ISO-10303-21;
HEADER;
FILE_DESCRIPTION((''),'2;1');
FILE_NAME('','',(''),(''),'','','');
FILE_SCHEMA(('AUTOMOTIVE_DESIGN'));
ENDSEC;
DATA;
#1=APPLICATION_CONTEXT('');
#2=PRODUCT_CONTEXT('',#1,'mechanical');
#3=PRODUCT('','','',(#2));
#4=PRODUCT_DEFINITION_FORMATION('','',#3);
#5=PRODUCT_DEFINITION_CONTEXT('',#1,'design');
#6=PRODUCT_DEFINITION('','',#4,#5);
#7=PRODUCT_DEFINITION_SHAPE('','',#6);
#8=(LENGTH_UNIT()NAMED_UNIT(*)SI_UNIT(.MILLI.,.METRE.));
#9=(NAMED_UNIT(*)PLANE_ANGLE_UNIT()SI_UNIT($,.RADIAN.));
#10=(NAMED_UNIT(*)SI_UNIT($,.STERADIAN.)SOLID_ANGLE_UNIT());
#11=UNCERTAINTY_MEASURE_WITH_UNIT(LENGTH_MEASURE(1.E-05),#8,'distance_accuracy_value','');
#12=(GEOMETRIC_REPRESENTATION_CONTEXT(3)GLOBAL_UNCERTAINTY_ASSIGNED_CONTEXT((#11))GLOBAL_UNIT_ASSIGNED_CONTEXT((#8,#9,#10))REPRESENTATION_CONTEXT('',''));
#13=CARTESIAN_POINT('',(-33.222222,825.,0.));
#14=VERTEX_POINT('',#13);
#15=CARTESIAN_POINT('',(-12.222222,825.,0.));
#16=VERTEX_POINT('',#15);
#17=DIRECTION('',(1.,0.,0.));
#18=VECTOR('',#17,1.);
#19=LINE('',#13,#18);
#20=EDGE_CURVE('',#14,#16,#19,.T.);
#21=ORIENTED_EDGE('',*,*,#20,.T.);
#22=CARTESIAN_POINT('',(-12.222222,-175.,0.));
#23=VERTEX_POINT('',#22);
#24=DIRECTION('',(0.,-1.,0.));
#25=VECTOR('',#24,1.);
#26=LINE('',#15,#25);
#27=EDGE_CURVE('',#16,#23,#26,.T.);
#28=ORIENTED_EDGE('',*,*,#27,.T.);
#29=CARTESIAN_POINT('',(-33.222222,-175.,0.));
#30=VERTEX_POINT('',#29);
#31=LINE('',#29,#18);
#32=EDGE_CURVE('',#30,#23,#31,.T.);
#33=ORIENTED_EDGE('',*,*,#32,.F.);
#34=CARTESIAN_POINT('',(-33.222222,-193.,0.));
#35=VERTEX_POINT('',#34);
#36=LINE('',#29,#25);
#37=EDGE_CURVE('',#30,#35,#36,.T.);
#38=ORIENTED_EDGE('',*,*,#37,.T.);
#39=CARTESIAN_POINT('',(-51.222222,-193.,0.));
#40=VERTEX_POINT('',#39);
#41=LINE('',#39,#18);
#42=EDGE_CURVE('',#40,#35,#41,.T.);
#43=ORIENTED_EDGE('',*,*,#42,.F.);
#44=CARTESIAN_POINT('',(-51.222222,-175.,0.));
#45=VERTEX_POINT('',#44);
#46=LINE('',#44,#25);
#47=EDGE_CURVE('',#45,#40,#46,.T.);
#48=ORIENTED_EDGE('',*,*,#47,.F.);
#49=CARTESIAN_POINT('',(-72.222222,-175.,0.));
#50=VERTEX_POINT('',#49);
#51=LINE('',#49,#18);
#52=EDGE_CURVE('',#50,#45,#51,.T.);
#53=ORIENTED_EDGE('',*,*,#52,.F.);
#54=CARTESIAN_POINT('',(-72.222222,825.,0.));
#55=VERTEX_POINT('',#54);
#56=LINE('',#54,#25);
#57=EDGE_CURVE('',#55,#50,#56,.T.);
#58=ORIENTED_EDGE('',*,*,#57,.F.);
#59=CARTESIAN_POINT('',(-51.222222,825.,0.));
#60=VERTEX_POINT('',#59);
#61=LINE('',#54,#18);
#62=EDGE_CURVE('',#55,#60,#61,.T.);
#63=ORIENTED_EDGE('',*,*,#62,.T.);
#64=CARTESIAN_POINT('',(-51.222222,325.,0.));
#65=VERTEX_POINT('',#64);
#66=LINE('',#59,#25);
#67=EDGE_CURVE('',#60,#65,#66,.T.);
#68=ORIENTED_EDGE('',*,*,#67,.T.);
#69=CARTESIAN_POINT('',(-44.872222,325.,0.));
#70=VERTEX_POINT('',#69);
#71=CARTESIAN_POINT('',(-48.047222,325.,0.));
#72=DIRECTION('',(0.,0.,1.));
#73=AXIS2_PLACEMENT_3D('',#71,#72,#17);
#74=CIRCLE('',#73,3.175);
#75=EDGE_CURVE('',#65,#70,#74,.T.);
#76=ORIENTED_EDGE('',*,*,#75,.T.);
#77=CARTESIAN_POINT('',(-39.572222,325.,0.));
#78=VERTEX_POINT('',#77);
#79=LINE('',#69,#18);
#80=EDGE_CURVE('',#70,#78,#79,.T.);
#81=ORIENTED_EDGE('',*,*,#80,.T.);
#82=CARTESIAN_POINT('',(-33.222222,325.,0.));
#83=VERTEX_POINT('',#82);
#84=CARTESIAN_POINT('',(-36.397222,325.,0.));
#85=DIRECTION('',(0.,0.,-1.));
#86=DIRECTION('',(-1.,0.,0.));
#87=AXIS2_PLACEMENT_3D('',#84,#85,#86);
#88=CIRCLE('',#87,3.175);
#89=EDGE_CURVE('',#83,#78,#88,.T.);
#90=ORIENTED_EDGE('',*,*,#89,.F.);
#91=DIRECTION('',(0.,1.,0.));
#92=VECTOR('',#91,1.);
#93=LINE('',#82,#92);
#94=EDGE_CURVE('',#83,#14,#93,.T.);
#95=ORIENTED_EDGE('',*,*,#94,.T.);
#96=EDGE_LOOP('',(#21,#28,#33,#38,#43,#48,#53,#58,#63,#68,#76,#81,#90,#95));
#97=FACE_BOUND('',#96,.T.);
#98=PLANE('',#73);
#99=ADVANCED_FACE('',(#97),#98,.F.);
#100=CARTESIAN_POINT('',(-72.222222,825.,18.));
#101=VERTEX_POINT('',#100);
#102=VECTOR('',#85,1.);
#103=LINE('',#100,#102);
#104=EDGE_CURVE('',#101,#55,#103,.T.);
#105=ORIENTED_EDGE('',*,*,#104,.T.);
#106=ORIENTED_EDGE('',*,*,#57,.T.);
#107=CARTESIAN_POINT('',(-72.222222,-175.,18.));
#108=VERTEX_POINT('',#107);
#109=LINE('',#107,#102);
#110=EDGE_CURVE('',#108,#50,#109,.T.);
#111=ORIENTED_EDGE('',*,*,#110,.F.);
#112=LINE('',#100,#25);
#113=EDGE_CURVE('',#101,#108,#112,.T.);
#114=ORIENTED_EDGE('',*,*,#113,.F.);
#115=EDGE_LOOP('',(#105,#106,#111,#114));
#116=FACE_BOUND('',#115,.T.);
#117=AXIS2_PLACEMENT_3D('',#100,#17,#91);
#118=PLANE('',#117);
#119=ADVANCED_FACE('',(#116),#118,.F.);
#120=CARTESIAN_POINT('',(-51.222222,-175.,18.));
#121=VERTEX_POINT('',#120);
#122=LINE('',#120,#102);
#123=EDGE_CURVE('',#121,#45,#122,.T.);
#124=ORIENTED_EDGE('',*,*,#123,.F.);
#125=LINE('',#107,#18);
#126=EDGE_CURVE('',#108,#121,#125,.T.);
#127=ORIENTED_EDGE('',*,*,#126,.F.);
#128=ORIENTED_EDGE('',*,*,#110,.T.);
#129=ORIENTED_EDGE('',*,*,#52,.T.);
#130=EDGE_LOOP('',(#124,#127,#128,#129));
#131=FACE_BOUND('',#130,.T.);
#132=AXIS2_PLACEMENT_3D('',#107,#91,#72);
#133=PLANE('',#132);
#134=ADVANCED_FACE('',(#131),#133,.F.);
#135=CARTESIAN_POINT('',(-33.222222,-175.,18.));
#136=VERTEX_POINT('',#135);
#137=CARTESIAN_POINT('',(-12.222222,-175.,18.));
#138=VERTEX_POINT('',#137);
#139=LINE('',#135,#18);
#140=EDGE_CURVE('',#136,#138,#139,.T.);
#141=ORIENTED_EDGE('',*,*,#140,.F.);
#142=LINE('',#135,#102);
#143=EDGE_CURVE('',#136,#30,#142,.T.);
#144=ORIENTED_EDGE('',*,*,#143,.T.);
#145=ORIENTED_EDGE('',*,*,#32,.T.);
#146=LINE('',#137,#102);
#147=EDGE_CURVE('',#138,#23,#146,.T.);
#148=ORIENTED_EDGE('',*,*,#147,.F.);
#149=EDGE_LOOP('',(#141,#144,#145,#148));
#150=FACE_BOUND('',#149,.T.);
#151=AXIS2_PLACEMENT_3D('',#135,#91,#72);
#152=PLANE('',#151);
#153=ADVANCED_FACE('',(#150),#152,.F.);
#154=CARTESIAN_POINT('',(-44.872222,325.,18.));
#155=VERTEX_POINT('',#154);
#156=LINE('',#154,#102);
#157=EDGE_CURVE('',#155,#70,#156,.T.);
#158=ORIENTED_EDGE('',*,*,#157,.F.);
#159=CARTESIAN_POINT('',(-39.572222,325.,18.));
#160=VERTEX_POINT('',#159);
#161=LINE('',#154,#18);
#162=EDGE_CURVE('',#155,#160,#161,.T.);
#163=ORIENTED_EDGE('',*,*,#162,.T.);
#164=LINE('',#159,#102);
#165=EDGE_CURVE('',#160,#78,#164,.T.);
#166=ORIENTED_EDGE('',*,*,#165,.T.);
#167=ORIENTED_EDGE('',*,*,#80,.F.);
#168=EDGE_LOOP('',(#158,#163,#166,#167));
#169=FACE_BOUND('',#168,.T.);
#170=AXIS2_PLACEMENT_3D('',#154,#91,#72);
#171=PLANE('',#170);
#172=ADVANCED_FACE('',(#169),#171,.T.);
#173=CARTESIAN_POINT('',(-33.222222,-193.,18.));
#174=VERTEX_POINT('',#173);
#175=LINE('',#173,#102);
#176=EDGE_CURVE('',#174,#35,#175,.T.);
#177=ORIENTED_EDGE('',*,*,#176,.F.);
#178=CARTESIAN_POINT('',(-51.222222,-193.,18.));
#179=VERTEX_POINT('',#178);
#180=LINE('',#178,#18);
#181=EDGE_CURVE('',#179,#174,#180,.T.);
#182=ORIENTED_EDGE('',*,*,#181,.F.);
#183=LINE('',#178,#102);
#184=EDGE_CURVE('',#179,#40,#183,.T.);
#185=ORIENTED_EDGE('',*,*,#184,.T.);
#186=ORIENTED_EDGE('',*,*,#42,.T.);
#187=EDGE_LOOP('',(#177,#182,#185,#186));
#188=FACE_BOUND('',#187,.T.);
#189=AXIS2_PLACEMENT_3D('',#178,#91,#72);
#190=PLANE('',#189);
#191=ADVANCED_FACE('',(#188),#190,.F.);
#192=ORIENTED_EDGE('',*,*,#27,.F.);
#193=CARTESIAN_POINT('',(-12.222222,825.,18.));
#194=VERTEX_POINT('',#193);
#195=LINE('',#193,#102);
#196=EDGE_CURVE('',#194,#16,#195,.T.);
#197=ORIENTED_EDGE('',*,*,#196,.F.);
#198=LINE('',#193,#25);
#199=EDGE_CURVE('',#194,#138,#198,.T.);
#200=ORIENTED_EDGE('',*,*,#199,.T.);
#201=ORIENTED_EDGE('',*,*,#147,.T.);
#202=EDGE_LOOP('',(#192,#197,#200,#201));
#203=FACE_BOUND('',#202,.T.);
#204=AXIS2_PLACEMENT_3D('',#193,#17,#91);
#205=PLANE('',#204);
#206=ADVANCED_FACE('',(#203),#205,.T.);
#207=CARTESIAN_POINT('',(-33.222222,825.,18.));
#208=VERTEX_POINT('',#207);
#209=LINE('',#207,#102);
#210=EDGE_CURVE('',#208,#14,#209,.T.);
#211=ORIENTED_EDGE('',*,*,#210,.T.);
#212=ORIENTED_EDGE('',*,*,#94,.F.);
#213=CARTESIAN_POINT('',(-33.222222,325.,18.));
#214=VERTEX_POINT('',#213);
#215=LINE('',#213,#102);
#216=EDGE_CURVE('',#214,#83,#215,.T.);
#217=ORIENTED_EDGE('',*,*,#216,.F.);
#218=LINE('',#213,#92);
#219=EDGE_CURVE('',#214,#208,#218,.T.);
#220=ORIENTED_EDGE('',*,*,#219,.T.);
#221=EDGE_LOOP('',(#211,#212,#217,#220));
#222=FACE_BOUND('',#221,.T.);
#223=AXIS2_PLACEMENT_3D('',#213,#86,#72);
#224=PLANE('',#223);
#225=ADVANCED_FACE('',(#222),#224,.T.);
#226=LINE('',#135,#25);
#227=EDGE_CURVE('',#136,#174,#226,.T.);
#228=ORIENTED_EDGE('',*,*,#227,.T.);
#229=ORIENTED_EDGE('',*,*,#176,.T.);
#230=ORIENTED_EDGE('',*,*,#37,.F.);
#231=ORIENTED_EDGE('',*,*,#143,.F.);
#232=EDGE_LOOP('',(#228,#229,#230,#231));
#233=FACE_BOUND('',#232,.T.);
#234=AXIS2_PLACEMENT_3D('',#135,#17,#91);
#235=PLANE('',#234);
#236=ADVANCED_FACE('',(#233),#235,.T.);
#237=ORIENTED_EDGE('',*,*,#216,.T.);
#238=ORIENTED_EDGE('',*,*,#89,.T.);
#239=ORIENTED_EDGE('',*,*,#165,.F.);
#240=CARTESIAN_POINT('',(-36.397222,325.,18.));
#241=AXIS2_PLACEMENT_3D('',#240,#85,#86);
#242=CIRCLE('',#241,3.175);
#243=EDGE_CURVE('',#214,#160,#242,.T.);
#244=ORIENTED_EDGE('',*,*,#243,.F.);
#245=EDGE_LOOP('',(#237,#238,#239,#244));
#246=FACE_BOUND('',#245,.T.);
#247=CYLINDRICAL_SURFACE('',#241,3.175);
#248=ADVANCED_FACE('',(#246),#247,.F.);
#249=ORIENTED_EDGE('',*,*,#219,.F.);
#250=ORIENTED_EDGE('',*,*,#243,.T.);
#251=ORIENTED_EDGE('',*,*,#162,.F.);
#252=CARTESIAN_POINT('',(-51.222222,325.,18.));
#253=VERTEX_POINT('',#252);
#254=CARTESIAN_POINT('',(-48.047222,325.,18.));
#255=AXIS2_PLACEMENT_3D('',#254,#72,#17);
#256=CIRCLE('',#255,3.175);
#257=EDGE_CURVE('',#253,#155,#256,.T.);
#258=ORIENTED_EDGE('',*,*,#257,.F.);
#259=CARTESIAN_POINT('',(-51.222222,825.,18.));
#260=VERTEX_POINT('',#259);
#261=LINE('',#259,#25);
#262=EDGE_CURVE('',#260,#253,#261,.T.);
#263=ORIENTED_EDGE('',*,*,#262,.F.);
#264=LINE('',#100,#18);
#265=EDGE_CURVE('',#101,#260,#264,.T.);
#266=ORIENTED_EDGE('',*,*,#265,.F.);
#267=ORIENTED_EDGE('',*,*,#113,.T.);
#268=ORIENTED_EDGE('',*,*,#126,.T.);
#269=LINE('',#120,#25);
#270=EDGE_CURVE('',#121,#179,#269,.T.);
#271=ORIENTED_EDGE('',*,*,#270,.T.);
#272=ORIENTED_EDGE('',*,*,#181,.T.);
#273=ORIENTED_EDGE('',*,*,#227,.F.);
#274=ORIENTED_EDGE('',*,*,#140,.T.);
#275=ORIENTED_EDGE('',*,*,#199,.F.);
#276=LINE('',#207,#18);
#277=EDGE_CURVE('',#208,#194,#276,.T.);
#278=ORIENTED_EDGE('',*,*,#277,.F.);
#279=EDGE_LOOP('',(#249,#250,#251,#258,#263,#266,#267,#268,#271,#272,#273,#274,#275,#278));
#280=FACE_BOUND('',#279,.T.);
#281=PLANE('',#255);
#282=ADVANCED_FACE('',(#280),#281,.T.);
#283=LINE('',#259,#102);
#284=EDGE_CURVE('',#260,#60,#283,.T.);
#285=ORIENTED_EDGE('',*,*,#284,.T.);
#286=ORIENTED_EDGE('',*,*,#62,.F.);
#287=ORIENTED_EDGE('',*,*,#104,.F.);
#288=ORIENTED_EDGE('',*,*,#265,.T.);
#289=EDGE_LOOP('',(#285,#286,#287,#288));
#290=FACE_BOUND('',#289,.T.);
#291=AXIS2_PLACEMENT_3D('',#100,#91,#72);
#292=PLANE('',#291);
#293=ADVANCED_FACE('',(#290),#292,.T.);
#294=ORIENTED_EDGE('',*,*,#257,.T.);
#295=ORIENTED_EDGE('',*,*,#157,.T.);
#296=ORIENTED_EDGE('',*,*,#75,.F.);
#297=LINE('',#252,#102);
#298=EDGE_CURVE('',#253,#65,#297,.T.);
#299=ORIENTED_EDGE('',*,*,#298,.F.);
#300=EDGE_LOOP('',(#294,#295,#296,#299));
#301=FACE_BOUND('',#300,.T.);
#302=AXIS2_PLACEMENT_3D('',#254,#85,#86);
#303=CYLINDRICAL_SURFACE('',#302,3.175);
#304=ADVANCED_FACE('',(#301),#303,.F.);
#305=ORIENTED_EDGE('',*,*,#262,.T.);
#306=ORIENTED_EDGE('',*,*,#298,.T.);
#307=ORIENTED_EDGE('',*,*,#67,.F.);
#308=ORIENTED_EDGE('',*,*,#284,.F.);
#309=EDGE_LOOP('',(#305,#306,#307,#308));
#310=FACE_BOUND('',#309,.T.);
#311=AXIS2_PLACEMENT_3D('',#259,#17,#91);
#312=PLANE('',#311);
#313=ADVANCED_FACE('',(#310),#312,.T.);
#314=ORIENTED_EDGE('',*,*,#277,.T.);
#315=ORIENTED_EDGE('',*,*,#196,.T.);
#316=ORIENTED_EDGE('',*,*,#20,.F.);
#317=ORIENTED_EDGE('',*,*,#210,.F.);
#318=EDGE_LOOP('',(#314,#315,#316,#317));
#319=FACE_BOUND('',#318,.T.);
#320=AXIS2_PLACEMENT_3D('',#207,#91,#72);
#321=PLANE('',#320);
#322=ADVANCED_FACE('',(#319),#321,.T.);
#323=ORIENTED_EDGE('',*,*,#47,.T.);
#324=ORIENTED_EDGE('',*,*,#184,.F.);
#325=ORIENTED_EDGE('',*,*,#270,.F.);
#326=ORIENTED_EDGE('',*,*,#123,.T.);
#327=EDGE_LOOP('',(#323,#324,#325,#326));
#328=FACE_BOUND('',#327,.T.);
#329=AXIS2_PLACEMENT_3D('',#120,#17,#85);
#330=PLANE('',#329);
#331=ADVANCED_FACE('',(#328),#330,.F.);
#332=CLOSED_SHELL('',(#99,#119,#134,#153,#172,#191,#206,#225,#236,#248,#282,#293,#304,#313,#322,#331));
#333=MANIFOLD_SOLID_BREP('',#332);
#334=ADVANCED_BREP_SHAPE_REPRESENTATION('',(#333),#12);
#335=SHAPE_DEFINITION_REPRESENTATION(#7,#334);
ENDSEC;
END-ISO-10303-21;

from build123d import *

# Parameters (mm, degrees)
ESTRUSIONE_ESTRUSIONE1_DEPTH = 18


with BuildPart() as part:
    # Schizzo1 → Estrusione-Estrusione1 (new body)
    with BuildSketch(Plane.XY):
        with BuildLine():
            Line((-51.222222222, 825), (-51.222222222, 325))
            ThreePointArc((-51.222222222, 325), (-48.047222222, 321.825), (-44.872222222, 325))
            Line((-44.872222222, 325), (-39.572222222, 325))
            ThreePointArc((-39.572222222, 325), (-36.397222222, 321.825), (-33.222222222, 325))
            Line((-33.222222222, 325), (-33.222222222, 825))
            Line((-33.222222222, 825), (-12.222222222, 825))
            Line((-12.222222222, 825), (-12.222222222, -175))
            Line((-12.222222222, -175), (-33.222222222, -175))
            Line((-33.222222222, -175), (-33.222222222, -193))
            Line((-33.222222222, -193), (-51.222222222, -193))
            Line((-51.222222222, -193), (-51.222222222, -175))
            Line((-51.222222222, -175), (-72.222222222, -175))
            Line((-72.222222222, -175), (-72.222222222, 825))
            Line((-72.222222222, 825), (-51.222222222, 825))
        make_face()
    extrude(amount=ESTRUSIONE_ESTRUSIONE1_DEPTH)


solid = part.part
